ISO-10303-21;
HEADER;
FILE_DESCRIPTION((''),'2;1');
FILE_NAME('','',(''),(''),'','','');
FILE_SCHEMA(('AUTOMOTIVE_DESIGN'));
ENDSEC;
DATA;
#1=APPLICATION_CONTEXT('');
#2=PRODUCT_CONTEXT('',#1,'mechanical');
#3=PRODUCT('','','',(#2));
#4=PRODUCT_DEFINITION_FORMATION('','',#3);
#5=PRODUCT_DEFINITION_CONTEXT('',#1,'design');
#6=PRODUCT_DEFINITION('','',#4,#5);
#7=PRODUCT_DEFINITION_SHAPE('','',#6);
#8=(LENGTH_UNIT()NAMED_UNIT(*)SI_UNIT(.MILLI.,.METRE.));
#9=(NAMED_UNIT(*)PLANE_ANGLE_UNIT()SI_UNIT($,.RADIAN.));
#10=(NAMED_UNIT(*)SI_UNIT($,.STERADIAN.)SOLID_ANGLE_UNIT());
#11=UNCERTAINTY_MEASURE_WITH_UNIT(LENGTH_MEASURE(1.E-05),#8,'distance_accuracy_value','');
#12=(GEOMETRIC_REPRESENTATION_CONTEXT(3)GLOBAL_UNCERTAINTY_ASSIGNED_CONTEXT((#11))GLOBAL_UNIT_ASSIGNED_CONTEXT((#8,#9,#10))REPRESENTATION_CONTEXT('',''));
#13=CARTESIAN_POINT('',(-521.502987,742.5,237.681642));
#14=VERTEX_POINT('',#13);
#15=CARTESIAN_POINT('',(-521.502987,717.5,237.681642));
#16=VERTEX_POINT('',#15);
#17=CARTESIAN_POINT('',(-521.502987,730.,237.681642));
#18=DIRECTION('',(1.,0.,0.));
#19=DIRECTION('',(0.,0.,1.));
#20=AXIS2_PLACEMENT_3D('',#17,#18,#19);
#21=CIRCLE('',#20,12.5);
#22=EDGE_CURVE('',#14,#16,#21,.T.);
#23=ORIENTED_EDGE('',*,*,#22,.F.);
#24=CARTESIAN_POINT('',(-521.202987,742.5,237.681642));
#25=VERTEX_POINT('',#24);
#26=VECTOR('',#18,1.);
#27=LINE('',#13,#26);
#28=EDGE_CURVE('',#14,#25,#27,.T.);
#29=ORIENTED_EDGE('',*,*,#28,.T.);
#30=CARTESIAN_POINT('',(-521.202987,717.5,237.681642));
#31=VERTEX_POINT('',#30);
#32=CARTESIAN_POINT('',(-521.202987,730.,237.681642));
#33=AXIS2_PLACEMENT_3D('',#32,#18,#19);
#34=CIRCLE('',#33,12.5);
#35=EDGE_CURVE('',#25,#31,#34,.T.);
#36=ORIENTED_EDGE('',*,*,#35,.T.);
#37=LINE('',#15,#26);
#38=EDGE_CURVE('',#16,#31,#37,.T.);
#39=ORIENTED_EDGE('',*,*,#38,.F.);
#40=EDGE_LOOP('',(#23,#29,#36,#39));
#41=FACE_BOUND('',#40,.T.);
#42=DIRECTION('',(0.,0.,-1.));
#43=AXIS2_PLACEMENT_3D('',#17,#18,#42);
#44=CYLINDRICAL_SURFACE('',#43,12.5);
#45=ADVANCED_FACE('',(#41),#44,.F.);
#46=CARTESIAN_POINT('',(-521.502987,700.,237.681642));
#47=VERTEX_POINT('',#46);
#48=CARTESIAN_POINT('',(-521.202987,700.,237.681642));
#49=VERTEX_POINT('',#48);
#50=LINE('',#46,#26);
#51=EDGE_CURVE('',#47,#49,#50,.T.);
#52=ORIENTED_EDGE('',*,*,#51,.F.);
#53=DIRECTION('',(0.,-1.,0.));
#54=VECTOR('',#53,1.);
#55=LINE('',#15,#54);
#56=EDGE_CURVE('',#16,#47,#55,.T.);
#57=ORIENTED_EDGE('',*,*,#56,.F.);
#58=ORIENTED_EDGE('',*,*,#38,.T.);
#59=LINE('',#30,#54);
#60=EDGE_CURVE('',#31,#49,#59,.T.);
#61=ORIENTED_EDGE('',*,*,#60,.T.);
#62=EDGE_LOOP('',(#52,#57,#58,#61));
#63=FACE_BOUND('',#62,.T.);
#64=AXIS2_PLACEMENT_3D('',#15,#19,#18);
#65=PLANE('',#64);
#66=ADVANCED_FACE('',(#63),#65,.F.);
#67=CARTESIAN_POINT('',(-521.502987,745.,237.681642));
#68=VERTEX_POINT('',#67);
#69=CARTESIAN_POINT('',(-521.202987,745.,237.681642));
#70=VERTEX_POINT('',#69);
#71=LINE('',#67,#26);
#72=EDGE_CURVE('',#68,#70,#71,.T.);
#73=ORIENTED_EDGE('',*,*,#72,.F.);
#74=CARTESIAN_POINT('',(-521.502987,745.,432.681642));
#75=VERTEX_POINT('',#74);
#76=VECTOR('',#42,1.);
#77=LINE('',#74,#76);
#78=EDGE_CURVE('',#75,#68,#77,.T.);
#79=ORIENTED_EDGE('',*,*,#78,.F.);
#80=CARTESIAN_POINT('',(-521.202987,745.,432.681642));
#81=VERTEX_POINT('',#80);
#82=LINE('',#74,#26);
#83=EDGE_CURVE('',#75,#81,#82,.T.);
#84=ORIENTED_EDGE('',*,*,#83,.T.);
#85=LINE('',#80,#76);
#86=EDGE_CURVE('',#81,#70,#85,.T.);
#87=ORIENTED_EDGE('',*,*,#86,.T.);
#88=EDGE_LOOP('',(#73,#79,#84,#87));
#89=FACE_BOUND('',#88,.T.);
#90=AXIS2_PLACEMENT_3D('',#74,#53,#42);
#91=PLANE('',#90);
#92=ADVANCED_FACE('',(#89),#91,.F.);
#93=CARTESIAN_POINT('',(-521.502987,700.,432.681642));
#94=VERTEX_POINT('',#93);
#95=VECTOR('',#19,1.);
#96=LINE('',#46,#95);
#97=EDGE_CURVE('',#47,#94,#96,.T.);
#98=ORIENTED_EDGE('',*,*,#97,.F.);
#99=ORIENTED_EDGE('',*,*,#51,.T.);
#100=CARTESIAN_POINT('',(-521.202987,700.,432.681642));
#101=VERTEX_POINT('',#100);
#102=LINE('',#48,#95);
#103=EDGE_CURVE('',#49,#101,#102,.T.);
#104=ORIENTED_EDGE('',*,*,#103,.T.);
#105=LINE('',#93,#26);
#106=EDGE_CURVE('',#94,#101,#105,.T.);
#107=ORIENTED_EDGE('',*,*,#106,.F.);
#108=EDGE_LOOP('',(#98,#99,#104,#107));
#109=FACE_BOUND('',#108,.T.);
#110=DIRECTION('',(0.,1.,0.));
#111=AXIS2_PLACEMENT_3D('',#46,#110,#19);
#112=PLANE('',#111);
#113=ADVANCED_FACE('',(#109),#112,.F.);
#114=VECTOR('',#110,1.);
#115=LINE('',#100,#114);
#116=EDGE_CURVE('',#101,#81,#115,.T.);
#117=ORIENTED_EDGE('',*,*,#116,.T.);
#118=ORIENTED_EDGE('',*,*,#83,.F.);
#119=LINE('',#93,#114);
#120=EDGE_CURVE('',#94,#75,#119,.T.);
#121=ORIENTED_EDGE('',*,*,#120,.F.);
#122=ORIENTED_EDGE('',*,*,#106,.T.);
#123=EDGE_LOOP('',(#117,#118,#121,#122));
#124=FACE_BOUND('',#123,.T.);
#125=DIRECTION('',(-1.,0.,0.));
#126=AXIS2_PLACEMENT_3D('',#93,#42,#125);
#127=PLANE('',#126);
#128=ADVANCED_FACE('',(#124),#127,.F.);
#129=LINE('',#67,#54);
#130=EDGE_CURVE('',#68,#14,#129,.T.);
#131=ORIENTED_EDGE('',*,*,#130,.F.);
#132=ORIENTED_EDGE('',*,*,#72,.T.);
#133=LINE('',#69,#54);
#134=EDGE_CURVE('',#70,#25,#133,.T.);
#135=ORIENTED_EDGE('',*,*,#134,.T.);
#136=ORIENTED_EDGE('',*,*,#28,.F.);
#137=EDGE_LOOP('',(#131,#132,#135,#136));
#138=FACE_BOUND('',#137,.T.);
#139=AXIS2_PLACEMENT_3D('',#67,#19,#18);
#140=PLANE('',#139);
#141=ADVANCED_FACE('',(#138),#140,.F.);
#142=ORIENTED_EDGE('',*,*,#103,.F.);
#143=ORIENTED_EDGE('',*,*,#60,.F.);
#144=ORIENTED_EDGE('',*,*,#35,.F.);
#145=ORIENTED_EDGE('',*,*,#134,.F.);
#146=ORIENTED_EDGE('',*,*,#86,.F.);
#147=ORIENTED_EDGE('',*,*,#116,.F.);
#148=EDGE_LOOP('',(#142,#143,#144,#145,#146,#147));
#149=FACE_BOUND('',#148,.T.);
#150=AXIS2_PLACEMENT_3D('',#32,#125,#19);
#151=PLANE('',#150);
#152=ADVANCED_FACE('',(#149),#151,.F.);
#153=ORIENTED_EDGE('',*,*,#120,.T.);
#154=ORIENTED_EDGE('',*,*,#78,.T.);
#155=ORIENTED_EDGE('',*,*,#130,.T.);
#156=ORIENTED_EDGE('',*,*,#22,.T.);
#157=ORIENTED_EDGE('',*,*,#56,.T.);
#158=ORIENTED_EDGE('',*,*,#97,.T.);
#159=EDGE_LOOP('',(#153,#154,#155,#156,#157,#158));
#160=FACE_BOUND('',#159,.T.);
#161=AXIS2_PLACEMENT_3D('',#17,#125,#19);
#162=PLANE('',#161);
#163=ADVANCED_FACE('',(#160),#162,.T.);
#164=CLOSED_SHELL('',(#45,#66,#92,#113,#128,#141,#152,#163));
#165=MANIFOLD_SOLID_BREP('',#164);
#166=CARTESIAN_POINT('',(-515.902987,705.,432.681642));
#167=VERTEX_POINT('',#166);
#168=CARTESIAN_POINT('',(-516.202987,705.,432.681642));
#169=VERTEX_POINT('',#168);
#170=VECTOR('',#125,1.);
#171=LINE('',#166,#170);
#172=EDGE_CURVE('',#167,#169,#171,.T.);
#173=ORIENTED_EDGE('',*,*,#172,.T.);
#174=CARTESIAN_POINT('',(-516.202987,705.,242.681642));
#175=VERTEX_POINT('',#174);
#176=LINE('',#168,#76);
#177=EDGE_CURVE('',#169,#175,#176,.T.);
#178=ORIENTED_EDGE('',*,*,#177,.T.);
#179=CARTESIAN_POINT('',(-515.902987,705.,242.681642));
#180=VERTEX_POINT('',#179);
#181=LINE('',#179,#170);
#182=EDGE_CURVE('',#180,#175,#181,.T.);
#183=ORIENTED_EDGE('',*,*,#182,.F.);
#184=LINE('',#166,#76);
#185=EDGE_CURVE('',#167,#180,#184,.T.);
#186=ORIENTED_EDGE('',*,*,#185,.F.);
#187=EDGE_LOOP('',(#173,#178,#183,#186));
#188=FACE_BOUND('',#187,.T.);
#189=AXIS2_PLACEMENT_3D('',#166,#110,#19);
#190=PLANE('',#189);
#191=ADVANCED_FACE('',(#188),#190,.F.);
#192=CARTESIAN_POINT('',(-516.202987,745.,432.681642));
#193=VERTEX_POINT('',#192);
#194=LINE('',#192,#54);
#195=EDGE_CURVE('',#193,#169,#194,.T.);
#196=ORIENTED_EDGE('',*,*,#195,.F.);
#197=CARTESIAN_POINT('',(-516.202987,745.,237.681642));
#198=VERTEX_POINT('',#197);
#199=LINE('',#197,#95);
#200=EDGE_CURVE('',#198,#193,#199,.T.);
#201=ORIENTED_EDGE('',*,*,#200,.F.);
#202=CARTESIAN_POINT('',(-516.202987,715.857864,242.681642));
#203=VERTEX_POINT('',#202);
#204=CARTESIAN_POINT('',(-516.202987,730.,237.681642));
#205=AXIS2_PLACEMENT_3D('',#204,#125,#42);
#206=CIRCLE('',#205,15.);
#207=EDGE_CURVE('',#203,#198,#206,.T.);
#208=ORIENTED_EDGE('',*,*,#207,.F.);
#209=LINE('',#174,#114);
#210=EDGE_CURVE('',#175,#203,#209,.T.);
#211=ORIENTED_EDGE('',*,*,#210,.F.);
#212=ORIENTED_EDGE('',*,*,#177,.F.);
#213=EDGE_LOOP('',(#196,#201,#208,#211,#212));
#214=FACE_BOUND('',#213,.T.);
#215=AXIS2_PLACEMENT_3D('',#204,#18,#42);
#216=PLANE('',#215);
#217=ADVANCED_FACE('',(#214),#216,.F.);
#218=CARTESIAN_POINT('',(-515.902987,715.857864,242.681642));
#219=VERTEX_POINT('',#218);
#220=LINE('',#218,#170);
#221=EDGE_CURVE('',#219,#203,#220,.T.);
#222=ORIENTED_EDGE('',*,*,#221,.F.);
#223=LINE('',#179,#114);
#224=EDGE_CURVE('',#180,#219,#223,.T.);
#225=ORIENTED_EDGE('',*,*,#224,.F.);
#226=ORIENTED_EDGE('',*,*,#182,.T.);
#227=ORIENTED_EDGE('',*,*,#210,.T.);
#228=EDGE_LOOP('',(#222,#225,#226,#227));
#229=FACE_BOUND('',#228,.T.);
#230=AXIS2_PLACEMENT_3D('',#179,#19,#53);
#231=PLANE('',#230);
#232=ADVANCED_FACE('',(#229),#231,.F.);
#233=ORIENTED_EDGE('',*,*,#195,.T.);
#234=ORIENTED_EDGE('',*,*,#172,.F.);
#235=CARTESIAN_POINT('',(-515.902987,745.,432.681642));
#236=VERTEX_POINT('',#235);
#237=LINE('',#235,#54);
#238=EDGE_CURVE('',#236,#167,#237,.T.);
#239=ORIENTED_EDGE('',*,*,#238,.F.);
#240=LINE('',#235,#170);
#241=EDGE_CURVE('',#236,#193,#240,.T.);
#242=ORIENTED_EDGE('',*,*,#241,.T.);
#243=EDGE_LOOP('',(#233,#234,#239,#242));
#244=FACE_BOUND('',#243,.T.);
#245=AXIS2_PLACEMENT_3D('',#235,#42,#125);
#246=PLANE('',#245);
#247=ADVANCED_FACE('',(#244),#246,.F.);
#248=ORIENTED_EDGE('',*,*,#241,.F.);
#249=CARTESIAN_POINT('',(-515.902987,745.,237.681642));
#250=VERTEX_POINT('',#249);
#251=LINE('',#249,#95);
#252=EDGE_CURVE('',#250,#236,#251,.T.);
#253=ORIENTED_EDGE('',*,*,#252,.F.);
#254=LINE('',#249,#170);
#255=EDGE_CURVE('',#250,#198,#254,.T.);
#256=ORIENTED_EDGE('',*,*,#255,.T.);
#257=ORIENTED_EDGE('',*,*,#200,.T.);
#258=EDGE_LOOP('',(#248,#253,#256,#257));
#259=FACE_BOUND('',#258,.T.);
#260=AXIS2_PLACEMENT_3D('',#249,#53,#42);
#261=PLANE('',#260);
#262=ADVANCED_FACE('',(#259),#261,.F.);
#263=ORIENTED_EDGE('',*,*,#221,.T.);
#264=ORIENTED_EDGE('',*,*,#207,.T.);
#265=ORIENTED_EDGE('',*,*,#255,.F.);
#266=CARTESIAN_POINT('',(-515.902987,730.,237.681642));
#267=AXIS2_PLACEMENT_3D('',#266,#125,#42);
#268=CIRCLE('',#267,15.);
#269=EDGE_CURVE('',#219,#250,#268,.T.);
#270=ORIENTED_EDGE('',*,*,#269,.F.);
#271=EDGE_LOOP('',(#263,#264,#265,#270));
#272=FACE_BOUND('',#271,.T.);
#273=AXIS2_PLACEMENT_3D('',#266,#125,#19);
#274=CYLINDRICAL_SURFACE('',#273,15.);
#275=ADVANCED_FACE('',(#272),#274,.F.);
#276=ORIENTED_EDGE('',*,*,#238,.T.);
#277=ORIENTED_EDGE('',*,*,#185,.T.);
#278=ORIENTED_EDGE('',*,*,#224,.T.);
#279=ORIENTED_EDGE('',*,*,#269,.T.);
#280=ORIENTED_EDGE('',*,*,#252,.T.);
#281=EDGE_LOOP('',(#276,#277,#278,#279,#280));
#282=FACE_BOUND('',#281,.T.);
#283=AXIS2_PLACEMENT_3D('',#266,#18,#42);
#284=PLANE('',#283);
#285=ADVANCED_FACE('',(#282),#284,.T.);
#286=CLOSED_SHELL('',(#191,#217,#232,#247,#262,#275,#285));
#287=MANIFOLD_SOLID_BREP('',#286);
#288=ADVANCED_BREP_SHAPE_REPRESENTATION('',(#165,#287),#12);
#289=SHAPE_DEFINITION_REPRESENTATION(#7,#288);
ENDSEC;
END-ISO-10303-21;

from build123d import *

# Parameters (mm, degrees)
DODANIE_WYCI_GNI_CIE1_DEPTH = 0.3
DODANIE_WYCI_GNI_CIE2_DEPTH = 0.3


with BuildPart() as part:
    # Szkic1 → Dodanie-wyciągnięcie1 (new body)
    with BuildSketch(Plane(origin=(-516.202987023, 0, 0), x_dir=(0, 0, -1), z_dir=(1, 0, 0))):
        with BuildLine():
            Line((-432.681641948, 705), (-242.681641948, 705))
            Line((-242.681641948, 705), (-242.681641948, 715.857864376))
            ThreePointArc((-242.681641948, 715.857864376), (-252.465620342, 732.536529681), (-237.681641948, 745))
            Line((-237.681641948, 745), (-432.681641948, 745))
            Line((-432.681641948, 745), (-432.681641948, 705))
        make_face()
    extrude(amount=DODANIE_WYCI_GNI_CIE1_DEPTH)


with BuildPart() as body_2:
    # Szkic2 → Dodanie-wyciągnięcie2 (new body)
    with BuildSketch(Plane.ZY.offset(521.202987023)):
        with BuildLine():
            Line((432.681641948, 700), (432.681641948, 745))
            Line((432.681641948, 745), (237.681641948, 745))
            Line((237.681641948, 745), (237.681641948, 742.5))
            ThreePointArc((237.681641948, 742.5), (250.181641948, 730), (237.681641948, 717.5))
            Line((237.681641948, 717.5), (237.681641948, 700))
            Line((237.681641948, 700), (432.681641948, 700))
        make_face()
    extrude(amount=DODANIE_WYCI_GNI_CIE2_DEPTH)


solid = Compound([part.part, body_2.part])
